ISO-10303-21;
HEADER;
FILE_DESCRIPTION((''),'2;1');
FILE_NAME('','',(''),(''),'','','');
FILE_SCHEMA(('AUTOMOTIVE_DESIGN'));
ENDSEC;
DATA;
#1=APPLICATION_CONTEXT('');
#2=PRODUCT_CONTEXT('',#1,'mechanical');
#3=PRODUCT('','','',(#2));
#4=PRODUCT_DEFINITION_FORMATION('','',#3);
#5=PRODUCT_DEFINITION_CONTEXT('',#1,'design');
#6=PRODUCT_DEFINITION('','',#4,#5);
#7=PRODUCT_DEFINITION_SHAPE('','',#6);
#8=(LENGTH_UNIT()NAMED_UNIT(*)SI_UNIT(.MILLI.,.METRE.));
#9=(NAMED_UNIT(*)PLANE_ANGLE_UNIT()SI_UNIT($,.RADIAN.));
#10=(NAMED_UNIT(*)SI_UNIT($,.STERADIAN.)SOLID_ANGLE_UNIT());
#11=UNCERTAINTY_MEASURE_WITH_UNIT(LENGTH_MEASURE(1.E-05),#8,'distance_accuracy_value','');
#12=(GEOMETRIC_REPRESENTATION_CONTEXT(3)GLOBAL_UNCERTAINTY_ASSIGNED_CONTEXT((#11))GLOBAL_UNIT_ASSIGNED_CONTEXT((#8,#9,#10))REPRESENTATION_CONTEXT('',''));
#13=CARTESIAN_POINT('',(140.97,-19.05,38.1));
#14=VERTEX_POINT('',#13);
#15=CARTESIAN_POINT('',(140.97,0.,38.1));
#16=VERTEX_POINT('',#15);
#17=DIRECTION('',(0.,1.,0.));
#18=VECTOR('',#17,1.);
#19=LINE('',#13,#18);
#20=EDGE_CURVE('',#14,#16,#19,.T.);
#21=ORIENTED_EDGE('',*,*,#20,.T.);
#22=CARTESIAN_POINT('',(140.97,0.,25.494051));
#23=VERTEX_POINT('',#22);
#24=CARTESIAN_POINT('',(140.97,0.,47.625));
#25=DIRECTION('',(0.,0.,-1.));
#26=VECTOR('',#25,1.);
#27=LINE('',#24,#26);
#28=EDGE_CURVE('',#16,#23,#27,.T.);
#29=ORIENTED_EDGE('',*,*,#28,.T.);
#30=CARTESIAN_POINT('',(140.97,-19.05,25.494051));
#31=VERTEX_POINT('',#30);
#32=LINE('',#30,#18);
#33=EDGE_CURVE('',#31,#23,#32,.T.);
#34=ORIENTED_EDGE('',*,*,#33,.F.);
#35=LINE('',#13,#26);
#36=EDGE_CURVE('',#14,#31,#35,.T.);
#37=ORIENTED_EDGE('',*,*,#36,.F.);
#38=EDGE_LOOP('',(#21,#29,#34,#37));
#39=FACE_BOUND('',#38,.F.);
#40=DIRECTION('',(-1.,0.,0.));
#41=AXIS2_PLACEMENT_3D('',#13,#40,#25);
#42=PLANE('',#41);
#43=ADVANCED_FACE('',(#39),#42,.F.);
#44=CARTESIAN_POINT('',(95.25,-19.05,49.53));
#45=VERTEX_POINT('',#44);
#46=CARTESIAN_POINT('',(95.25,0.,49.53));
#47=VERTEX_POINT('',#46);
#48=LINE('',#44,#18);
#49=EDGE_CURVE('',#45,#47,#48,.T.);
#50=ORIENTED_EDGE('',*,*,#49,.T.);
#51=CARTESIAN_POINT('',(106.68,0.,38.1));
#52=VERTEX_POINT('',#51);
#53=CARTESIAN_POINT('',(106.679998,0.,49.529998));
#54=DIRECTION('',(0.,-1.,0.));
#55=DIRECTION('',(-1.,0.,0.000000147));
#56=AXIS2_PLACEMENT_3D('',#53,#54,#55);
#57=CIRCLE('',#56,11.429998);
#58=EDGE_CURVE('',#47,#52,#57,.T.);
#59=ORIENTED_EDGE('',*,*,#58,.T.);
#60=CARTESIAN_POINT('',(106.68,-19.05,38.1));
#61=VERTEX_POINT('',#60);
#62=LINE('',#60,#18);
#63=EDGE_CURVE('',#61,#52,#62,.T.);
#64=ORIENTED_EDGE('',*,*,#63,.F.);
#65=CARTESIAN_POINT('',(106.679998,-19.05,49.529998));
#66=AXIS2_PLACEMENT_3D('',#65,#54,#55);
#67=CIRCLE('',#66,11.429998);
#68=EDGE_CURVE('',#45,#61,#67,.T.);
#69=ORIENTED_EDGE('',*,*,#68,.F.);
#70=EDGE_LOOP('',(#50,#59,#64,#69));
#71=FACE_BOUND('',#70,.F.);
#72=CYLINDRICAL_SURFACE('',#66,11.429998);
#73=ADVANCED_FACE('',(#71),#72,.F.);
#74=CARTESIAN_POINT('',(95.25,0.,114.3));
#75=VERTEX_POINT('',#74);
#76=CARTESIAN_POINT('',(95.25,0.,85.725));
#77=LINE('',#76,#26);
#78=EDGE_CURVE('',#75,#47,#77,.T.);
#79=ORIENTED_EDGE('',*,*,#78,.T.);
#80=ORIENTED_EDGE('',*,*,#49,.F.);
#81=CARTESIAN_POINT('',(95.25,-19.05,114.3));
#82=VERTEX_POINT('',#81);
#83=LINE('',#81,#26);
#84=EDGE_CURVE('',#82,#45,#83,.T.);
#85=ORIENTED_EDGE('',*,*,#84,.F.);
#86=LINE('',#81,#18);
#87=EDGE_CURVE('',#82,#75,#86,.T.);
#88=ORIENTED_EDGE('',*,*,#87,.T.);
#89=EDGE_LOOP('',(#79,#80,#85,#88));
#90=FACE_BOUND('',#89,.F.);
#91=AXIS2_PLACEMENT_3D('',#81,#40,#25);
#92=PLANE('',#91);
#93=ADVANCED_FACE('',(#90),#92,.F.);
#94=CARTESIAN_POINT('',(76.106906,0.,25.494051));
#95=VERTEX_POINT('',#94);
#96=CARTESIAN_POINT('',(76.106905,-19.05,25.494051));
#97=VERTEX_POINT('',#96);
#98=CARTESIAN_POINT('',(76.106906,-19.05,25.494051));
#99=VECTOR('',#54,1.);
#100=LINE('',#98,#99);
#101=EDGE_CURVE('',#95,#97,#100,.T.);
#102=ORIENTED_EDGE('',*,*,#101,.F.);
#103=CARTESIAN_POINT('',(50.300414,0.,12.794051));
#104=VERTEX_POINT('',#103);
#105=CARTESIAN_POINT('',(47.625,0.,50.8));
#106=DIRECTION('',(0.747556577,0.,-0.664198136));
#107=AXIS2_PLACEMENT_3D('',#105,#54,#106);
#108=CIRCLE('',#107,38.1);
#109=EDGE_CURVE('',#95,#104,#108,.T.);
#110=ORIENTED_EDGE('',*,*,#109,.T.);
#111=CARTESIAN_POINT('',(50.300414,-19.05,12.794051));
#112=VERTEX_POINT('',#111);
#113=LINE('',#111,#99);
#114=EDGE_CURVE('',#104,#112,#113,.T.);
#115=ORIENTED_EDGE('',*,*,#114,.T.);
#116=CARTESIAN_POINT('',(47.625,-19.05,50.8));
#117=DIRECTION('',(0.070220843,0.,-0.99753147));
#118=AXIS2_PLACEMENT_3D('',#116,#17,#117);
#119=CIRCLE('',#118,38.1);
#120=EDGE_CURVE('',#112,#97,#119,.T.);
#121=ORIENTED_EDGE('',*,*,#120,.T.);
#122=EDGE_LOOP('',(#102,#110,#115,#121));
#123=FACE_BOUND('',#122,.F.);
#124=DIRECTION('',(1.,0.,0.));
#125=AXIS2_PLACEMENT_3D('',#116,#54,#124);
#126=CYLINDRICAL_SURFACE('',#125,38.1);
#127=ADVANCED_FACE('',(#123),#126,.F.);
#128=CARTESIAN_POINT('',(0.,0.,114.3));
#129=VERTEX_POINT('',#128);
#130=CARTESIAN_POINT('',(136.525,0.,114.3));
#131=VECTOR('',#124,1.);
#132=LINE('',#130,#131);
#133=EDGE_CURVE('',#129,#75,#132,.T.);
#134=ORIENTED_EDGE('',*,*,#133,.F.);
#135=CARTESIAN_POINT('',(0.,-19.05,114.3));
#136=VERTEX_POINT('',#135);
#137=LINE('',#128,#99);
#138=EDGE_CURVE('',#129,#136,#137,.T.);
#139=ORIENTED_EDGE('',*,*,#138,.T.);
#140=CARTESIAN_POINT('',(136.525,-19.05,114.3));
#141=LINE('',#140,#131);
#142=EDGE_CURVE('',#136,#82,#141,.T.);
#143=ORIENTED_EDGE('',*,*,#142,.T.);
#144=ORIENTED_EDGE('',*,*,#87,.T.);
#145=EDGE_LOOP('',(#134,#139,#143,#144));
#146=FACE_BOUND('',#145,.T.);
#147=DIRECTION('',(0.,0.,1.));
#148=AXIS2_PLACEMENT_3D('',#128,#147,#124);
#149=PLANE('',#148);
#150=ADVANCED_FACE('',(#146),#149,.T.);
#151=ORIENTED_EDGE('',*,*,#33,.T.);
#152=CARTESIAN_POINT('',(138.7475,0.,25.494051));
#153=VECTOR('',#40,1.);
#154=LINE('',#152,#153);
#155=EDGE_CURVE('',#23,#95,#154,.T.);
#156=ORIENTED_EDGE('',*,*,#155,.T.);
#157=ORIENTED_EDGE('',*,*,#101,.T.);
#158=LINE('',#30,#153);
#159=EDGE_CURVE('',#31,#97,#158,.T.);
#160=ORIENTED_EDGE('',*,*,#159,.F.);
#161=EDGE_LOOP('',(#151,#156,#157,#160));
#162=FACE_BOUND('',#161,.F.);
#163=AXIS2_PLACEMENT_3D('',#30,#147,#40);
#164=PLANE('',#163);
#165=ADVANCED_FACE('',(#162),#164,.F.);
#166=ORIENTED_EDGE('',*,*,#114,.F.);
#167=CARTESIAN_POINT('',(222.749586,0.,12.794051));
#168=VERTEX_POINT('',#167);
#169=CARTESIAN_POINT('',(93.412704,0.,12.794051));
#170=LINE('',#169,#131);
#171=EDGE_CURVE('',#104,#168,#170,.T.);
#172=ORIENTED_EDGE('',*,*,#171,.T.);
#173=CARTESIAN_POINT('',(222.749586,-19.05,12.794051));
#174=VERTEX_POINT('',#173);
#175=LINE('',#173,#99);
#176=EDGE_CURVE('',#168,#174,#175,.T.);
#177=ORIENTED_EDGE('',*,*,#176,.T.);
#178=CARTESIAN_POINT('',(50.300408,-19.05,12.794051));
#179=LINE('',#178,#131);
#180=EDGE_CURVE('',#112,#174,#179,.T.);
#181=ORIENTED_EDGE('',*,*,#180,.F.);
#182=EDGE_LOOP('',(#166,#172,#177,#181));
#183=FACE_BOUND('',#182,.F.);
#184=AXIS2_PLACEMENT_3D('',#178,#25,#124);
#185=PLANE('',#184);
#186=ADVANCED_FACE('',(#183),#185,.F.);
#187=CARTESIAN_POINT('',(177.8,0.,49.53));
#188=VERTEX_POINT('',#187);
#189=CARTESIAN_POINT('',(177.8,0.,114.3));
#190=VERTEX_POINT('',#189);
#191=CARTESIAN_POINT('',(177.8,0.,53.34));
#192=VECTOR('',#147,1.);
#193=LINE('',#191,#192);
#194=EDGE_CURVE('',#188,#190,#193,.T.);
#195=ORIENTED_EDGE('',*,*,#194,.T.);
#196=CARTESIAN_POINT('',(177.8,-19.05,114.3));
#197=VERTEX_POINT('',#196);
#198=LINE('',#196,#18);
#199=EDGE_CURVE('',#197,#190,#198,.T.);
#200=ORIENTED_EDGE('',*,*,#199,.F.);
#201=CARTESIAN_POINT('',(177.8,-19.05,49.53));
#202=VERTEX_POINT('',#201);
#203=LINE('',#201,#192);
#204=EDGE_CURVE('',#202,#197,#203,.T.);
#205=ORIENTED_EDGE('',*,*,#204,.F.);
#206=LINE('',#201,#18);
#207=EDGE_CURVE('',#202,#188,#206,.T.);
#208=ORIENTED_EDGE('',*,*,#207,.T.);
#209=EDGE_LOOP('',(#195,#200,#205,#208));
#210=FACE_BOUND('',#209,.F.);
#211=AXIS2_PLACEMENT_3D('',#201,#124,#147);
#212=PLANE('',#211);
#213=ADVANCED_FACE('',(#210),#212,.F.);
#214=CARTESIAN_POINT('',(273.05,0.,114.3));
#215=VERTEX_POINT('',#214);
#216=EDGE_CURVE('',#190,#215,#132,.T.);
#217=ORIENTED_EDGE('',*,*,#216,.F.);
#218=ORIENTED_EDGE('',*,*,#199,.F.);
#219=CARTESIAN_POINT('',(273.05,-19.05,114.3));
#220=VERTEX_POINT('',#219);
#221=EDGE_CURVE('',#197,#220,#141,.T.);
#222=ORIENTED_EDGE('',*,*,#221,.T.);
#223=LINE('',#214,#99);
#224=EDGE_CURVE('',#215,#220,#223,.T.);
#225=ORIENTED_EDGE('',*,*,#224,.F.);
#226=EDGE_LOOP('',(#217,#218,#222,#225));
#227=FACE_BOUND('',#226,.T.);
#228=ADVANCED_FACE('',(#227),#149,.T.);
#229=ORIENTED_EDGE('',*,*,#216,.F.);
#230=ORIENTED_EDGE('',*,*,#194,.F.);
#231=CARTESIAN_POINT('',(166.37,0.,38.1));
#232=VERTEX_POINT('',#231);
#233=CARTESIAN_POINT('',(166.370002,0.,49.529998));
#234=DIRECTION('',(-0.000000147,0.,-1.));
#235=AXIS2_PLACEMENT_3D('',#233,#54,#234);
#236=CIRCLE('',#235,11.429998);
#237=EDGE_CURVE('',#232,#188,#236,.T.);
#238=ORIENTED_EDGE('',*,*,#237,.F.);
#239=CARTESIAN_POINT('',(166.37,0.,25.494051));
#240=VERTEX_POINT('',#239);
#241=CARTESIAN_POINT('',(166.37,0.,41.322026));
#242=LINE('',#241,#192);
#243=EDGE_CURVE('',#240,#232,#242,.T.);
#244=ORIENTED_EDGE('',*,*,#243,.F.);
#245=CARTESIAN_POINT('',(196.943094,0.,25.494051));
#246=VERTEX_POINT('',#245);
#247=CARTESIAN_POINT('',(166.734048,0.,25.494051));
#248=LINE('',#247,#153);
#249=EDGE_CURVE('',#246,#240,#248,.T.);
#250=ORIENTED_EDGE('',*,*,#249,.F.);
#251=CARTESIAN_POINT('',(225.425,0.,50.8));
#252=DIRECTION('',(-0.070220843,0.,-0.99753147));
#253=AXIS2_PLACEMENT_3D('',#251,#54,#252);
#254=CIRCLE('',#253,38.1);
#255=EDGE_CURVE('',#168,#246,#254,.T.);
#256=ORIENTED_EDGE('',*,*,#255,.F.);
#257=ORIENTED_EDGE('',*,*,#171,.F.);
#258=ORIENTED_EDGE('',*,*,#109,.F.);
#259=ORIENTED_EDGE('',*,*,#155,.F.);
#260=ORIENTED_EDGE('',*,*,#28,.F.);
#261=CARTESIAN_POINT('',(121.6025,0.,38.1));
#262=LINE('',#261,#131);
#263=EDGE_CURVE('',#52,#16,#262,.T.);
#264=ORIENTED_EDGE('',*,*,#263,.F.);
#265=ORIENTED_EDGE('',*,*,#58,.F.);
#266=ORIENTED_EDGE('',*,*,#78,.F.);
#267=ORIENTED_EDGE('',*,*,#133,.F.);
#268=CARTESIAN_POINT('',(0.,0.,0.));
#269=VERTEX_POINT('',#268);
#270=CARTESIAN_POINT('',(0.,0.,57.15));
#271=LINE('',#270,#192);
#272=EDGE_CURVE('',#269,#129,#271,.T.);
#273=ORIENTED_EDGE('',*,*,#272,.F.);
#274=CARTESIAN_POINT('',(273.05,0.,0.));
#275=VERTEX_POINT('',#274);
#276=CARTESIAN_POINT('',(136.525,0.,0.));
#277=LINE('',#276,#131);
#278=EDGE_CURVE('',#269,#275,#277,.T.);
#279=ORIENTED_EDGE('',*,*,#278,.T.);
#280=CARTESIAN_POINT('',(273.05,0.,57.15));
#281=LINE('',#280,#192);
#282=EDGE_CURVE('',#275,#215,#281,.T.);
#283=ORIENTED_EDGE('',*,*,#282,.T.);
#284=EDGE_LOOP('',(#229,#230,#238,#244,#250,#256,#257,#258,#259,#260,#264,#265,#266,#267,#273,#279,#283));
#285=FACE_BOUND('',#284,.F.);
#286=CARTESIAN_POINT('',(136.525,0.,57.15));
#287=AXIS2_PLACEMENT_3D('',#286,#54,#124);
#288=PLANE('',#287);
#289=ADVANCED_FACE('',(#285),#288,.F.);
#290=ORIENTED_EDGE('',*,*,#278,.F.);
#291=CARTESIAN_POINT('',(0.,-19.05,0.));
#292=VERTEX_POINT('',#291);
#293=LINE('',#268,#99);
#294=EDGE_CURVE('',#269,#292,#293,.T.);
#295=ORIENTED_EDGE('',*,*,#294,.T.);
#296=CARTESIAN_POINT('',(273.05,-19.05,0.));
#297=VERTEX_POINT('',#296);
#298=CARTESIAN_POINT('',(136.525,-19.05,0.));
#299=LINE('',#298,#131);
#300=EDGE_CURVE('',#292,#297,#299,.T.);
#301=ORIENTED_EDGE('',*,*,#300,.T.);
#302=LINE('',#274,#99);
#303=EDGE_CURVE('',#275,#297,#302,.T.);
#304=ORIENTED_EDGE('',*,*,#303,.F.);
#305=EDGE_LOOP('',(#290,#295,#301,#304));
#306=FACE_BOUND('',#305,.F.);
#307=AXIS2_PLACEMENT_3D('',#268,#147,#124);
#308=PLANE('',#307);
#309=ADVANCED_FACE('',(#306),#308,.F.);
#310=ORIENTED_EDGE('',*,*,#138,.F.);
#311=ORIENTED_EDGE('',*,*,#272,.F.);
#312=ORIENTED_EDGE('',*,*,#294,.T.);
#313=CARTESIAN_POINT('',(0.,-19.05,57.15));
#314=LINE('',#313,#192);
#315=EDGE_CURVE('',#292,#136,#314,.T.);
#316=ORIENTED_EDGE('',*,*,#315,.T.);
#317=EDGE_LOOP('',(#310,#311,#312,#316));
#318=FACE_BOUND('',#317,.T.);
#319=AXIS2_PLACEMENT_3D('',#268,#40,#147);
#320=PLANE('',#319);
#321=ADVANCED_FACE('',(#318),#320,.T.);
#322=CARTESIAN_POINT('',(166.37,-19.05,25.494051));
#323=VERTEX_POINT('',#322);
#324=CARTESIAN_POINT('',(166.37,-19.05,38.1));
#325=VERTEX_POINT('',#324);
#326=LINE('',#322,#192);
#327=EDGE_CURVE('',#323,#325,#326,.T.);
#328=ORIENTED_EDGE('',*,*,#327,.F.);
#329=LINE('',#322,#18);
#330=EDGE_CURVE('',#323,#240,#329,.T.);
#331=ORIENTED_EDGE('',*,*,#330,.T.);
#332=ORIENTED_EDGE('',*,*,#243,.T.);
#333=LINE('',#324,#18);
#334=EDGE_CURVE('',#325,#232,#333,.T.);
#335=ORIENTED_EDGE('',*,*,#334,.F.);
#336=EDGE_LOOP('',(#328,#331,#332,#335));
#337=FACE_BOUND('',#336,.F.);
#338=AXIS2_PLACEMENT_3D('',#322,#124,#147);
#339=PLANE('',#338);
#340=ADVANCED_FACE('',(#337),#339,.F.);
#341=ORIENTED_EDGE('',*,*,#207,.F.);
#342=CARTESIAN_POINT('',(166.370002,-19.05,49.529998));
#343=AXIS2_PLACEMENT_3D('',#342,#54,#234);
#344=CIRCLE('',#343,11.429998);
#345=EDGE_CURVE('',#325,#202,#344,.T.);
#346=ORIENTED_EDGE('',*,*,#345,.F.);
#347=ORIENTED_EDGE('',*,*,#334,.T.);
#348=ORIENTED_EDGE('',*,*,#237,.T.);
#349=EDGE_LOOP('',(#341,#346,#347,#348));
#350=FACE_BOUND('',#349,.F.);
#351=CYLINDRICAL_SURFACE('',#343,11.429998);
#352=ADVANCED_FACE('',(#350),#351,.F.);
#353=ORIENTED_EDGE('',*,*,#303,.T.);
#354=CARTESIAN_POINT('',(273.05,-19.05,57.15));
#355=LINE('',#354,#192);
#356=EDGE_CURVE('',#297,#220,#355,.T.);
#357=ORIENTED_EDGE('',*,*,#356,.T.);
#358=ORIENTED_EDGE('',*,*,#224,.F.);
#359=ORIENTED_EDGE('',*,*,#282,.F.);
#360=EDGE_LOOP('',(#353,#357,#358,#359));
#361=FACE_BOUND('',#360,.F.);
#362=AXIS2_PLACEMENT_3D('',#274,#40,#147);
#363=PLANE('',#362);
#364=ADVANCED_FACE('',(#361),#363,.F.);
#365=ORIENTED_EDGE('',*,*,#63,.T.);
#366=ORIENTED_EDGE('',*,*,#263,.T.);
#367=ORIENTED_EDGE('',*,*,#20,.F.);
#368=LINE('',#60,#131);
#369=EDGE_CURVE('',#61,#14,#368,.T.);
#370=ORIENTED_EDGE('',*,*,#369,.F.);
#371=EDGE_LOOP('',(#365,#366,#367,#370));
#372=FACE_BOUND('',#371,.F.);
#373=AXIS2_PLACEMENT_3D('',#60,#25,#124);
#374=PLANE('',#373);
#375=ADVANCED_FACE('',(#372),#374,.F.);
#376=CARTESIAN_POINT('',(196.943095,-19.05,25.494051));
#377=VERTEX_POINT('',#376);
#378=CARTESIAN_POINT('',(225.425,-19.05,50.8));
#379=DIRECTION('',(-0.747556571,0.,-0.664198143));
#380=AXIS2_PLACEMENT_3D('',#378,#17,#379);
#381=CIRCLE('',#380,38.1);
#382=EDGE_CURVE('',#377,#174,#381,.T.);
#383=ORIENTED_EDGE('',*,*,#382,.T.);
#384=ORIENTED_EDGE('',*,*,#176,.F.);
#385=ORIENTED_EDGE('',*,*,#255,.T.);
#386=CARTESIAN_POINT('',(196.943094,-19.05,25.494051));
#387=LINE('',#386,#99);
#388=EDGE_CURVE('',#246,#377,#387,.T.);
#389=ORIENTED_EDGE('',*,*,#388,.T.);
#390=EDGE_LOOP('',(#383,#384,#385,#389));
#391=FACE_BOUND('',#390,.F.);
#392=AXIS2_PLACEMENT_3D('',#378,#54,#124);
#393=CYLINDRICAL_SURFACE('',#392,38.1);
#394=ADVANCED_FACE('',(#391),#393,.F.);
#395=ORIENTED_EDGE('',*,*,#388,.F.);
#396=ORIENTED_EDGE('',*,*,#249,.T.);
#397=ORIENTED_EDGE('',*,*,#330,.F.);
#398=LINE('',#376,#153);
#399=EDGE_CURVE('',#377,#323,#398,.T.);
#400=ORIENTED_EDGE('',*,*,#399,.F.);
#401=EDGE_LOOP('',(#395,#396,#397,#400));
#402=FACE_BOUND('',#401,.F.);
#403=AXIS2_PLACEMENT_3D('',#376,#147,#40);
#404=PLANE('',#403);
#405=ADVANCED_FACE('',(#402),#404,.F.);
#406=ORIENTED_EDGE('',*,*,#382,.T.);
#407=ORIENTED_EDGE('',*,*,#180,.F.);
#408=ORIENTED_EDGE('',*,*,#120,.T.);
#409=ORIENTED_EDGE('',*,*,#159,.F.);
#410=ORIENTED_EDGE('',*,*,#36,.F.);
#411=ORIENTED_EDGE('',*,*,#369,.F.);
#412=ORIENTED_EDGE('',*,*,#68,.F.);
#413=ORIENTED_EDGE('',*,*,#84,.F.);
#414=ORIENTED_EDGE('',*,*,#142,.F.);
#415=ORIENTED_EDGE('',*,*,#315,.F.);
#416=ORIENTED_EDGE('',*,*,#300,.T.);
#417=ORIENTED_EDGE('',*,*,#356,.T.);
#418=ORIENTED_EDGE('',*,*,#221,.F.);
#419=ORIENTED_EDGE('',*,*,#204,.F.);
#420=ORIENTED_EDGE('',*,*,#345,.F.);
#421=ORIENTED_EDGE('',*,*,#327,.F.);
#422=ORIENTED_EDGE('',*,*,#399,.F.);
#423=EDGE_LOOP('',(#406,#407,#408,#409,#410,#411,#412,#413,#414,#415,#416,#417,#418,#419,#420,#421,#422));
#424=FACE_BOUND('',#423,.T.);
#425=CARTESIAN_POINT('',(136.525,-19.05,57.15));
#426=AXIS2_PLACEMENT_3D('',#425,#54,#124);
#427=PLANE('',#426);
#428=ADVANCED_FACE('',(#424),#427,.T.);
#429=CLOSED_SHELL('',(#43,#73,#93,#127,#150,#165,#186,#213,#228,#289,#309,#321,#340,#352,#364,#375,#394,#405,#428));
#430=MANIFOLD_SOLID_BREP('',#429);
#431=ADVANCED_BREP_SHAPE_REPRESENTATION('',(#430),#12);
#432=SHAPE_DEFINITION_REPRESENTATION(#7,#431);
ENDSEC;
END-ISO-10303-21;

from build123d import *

# Parameters (mm, degrees)
F0_W     = 273.05
F0_H     = 114.3
F1_DEPTH = 19.05
F2_R     = 38.1
F3_DEPTH = 25.4
F5_DEPTH = 25.4
F7_DEPTH = 25.4


with BuildPart() as f1:
    # F0 (on Front) → F1 (new body)
    with BuildSketch(Plane.XZ):
        with Locations((136.525, 57.15)):
            Rectangle(F0_W, F0_H)
    extrude(amount=F1_DEPTH)

    # F2 (on face) → F3 (cut)
    with BuildSketch(Plane.XZ.offset(19.05)):
        with Locations((225.425, 50.8)):
            Circle(F2_R)
        with Locations((47.625, 50.8)):
            Circle(F2_R)
    extrude(amount=-F3_DEPTH, mode=Mode.SUBTRACT)

    # F4 (on face) → F5 (cut)
    with BuildSketch(Plane.XZ.offset(19.05)):
        with BuildLine():
            Line((177.8, 114.3), (95.25, 114.3))
            Line((95.25, 114.3), (95.25, 49.53))
            ThreePointArc((95.25, 49.53), (98.597769, 41.447769), (106.68, 38.1))
            Line((106.68, 38.1), (166.37, 38.1))
            ThreePointArc((166.37, 38.1), (174.452231, 41.447769), (177.8, 49.53))
            Line((177.8, 49.53), (177.8, 114.3))
        make_face()
    extrude(amount=-F5_DEPTH, mode=Mode.SUBTRACT)

    # F6 (on face) → F7 (cut)
    with BuildSketch(Plane.XZ.offset(19.05)):
        Polygon((166.37, 25.494051), (166.37, 38.1), (140.97, 38.1), (140.97, 25.494051), (76.106905, 25.494051), (50.300408, 12.794051), (228.100408, 12.794051), (196.943095, 25.494051), align=None)
    extrude(amount=-F7_DEPTH, mode=Mode.SUBTRACT)


solid = f1.part
